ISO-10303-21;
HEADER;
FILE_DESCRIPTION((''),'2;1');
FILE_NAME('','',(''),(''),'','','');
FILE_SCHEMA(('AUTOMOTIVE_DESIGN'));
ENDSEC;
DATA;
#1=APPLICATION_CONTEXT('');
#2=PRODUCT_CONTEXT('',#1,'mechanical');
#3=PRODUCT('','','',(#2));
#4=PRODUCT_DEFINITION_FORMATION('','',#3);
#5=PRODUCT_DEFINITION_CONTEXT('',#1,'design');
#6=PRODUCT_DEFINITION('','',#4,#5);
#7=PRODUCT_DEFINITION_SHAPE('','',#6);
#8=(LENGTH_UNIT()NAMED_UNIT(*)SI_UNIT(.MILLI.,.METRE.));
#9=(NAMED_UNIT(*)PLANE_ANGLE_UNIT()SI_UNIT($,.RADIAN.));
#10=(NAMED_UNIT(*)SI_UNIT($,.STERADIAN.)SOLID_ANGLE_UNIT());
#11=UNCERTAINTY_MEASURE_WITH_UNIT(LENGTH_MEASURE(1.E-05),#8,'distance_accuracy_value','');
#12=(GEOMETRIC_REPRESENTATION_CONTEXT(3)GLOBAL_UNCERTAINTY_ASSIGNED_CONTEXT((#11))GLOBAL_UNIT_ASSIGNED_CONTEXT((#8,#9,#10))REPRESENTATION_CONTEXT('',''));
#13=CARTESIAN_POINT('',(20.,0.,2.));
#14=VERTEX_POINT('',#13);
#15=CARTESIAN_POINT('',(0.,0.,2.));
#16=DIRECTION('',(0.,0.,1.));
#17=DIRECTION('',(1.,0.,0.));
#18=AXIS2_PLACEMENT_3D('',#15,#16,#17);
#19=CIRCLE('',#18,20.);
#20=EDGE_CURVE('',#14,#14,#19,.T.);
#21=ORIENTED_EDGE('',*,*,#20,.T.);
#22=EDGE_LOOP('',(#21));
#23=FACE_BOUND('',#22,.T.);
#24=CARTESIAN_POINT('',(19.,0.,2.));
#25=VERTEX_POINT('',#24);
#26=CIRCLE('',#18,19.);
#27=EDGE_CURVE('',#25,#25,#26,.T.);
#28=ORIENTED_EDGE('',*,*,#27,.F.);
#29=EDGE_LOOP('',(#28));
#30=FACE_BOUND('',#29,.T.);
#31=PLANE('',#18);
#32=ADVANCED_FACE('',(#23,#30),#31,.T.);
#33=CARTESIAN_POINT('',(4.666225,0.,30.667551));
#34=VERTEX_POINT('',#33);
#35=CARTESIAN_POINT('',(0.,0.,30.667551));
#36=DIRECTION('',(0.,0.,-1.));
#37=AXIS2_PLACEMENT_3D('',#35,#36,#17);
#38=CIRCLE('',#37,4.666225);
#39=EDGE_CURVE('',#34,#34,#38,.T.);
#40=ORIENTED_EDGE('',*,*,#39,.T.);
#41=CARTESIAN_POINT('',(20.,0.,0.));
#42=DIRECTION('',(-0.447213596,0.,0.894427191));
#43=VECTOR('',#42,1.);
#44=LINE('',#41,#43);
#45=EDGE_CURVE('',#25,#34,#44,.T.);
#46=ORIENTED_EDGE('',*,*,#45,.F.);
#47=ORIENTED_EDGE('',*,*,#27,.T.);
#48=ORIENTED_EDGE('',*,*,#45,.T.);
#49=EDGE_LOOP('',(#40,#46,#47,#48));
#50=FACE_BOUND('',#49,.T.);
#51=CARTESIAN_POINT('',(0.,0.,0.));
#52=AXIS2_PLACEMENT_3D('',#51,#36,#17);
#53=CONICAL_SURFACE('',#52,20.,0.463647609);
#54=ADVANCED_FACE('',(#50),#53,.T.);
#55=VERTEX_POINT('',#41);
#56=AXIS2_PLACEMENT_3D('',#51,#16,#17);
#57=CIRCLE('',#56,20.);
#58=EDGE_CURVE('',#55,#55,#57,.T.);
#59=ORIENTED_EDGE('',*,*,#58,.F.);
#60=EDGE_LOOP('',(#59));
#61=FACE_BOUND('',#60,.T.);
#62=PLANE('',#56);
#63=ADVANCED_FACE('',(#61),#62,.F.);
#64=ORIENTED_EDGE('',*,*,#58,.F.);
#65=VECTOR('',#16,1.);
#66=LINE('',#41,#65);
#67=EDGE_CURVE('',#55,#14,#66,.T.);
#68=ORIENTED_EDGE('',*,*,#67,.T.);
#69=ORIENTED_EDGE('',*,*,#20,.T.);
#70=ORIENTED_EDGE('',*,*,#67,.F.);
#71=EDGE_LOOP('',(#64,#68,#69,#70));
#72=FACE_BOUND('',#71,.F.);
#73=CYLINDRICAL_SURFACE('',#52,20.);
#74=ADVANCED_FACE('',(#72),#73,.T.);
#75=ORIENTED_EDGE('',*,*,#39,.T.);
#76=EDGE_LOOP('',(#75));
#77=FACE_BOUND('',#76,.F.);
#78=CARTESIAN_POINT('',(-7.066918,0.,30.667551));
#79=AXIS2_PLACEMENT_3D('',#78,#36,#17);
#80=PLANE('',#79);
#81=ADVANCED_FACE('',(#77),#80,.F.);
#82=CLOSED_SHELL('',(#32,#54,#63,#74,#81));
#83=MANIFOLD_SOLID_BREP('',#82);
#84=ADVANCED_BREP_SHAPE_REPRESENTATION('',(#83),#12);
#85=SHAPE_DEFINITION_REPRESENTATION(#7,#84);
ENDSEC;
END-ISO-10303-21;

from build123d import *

# Parameters (mm, degrees)
F2_R          = 20
F3_DEPTH      = 2
F4_W          = 15.1418782771
F4_H          = 14.9113200605
F5_DEPTH      = 25
F5_DEPTH_BACK = 25


with BuildPart() as f1:
    # F0 (on Front) → F1 (revolve)
    with BuildSketch(Plane.XZ):
        Polygon((0, 40), (0, 0), (20, 0), align=None)
    revolve(axis=Axis((0, 0, 20), (0, 0, 1)))

    # F2 (on Top) → F3 (join)
    with BuildSketch(Plane.XY):
        Circle(F2_R)
    extrude(amount=F3_DEPTH)

    # F4 (on Front) → F5 (cut, two sides)
    with BuildSketch(Plane.XZ) as f5_sk:
        with Locations((0.5040215328, 38.1232108921)):
            Rectangle(F4_W, F4_H)
    extrude(amount=-F5_DEPTH, mode=Mode.SUBTRACT)
    extrude(f5_sk.sketch, amount=F5_DEPTH_BACK, mode=Mode.SUBTRACT)


solid = f1.part
